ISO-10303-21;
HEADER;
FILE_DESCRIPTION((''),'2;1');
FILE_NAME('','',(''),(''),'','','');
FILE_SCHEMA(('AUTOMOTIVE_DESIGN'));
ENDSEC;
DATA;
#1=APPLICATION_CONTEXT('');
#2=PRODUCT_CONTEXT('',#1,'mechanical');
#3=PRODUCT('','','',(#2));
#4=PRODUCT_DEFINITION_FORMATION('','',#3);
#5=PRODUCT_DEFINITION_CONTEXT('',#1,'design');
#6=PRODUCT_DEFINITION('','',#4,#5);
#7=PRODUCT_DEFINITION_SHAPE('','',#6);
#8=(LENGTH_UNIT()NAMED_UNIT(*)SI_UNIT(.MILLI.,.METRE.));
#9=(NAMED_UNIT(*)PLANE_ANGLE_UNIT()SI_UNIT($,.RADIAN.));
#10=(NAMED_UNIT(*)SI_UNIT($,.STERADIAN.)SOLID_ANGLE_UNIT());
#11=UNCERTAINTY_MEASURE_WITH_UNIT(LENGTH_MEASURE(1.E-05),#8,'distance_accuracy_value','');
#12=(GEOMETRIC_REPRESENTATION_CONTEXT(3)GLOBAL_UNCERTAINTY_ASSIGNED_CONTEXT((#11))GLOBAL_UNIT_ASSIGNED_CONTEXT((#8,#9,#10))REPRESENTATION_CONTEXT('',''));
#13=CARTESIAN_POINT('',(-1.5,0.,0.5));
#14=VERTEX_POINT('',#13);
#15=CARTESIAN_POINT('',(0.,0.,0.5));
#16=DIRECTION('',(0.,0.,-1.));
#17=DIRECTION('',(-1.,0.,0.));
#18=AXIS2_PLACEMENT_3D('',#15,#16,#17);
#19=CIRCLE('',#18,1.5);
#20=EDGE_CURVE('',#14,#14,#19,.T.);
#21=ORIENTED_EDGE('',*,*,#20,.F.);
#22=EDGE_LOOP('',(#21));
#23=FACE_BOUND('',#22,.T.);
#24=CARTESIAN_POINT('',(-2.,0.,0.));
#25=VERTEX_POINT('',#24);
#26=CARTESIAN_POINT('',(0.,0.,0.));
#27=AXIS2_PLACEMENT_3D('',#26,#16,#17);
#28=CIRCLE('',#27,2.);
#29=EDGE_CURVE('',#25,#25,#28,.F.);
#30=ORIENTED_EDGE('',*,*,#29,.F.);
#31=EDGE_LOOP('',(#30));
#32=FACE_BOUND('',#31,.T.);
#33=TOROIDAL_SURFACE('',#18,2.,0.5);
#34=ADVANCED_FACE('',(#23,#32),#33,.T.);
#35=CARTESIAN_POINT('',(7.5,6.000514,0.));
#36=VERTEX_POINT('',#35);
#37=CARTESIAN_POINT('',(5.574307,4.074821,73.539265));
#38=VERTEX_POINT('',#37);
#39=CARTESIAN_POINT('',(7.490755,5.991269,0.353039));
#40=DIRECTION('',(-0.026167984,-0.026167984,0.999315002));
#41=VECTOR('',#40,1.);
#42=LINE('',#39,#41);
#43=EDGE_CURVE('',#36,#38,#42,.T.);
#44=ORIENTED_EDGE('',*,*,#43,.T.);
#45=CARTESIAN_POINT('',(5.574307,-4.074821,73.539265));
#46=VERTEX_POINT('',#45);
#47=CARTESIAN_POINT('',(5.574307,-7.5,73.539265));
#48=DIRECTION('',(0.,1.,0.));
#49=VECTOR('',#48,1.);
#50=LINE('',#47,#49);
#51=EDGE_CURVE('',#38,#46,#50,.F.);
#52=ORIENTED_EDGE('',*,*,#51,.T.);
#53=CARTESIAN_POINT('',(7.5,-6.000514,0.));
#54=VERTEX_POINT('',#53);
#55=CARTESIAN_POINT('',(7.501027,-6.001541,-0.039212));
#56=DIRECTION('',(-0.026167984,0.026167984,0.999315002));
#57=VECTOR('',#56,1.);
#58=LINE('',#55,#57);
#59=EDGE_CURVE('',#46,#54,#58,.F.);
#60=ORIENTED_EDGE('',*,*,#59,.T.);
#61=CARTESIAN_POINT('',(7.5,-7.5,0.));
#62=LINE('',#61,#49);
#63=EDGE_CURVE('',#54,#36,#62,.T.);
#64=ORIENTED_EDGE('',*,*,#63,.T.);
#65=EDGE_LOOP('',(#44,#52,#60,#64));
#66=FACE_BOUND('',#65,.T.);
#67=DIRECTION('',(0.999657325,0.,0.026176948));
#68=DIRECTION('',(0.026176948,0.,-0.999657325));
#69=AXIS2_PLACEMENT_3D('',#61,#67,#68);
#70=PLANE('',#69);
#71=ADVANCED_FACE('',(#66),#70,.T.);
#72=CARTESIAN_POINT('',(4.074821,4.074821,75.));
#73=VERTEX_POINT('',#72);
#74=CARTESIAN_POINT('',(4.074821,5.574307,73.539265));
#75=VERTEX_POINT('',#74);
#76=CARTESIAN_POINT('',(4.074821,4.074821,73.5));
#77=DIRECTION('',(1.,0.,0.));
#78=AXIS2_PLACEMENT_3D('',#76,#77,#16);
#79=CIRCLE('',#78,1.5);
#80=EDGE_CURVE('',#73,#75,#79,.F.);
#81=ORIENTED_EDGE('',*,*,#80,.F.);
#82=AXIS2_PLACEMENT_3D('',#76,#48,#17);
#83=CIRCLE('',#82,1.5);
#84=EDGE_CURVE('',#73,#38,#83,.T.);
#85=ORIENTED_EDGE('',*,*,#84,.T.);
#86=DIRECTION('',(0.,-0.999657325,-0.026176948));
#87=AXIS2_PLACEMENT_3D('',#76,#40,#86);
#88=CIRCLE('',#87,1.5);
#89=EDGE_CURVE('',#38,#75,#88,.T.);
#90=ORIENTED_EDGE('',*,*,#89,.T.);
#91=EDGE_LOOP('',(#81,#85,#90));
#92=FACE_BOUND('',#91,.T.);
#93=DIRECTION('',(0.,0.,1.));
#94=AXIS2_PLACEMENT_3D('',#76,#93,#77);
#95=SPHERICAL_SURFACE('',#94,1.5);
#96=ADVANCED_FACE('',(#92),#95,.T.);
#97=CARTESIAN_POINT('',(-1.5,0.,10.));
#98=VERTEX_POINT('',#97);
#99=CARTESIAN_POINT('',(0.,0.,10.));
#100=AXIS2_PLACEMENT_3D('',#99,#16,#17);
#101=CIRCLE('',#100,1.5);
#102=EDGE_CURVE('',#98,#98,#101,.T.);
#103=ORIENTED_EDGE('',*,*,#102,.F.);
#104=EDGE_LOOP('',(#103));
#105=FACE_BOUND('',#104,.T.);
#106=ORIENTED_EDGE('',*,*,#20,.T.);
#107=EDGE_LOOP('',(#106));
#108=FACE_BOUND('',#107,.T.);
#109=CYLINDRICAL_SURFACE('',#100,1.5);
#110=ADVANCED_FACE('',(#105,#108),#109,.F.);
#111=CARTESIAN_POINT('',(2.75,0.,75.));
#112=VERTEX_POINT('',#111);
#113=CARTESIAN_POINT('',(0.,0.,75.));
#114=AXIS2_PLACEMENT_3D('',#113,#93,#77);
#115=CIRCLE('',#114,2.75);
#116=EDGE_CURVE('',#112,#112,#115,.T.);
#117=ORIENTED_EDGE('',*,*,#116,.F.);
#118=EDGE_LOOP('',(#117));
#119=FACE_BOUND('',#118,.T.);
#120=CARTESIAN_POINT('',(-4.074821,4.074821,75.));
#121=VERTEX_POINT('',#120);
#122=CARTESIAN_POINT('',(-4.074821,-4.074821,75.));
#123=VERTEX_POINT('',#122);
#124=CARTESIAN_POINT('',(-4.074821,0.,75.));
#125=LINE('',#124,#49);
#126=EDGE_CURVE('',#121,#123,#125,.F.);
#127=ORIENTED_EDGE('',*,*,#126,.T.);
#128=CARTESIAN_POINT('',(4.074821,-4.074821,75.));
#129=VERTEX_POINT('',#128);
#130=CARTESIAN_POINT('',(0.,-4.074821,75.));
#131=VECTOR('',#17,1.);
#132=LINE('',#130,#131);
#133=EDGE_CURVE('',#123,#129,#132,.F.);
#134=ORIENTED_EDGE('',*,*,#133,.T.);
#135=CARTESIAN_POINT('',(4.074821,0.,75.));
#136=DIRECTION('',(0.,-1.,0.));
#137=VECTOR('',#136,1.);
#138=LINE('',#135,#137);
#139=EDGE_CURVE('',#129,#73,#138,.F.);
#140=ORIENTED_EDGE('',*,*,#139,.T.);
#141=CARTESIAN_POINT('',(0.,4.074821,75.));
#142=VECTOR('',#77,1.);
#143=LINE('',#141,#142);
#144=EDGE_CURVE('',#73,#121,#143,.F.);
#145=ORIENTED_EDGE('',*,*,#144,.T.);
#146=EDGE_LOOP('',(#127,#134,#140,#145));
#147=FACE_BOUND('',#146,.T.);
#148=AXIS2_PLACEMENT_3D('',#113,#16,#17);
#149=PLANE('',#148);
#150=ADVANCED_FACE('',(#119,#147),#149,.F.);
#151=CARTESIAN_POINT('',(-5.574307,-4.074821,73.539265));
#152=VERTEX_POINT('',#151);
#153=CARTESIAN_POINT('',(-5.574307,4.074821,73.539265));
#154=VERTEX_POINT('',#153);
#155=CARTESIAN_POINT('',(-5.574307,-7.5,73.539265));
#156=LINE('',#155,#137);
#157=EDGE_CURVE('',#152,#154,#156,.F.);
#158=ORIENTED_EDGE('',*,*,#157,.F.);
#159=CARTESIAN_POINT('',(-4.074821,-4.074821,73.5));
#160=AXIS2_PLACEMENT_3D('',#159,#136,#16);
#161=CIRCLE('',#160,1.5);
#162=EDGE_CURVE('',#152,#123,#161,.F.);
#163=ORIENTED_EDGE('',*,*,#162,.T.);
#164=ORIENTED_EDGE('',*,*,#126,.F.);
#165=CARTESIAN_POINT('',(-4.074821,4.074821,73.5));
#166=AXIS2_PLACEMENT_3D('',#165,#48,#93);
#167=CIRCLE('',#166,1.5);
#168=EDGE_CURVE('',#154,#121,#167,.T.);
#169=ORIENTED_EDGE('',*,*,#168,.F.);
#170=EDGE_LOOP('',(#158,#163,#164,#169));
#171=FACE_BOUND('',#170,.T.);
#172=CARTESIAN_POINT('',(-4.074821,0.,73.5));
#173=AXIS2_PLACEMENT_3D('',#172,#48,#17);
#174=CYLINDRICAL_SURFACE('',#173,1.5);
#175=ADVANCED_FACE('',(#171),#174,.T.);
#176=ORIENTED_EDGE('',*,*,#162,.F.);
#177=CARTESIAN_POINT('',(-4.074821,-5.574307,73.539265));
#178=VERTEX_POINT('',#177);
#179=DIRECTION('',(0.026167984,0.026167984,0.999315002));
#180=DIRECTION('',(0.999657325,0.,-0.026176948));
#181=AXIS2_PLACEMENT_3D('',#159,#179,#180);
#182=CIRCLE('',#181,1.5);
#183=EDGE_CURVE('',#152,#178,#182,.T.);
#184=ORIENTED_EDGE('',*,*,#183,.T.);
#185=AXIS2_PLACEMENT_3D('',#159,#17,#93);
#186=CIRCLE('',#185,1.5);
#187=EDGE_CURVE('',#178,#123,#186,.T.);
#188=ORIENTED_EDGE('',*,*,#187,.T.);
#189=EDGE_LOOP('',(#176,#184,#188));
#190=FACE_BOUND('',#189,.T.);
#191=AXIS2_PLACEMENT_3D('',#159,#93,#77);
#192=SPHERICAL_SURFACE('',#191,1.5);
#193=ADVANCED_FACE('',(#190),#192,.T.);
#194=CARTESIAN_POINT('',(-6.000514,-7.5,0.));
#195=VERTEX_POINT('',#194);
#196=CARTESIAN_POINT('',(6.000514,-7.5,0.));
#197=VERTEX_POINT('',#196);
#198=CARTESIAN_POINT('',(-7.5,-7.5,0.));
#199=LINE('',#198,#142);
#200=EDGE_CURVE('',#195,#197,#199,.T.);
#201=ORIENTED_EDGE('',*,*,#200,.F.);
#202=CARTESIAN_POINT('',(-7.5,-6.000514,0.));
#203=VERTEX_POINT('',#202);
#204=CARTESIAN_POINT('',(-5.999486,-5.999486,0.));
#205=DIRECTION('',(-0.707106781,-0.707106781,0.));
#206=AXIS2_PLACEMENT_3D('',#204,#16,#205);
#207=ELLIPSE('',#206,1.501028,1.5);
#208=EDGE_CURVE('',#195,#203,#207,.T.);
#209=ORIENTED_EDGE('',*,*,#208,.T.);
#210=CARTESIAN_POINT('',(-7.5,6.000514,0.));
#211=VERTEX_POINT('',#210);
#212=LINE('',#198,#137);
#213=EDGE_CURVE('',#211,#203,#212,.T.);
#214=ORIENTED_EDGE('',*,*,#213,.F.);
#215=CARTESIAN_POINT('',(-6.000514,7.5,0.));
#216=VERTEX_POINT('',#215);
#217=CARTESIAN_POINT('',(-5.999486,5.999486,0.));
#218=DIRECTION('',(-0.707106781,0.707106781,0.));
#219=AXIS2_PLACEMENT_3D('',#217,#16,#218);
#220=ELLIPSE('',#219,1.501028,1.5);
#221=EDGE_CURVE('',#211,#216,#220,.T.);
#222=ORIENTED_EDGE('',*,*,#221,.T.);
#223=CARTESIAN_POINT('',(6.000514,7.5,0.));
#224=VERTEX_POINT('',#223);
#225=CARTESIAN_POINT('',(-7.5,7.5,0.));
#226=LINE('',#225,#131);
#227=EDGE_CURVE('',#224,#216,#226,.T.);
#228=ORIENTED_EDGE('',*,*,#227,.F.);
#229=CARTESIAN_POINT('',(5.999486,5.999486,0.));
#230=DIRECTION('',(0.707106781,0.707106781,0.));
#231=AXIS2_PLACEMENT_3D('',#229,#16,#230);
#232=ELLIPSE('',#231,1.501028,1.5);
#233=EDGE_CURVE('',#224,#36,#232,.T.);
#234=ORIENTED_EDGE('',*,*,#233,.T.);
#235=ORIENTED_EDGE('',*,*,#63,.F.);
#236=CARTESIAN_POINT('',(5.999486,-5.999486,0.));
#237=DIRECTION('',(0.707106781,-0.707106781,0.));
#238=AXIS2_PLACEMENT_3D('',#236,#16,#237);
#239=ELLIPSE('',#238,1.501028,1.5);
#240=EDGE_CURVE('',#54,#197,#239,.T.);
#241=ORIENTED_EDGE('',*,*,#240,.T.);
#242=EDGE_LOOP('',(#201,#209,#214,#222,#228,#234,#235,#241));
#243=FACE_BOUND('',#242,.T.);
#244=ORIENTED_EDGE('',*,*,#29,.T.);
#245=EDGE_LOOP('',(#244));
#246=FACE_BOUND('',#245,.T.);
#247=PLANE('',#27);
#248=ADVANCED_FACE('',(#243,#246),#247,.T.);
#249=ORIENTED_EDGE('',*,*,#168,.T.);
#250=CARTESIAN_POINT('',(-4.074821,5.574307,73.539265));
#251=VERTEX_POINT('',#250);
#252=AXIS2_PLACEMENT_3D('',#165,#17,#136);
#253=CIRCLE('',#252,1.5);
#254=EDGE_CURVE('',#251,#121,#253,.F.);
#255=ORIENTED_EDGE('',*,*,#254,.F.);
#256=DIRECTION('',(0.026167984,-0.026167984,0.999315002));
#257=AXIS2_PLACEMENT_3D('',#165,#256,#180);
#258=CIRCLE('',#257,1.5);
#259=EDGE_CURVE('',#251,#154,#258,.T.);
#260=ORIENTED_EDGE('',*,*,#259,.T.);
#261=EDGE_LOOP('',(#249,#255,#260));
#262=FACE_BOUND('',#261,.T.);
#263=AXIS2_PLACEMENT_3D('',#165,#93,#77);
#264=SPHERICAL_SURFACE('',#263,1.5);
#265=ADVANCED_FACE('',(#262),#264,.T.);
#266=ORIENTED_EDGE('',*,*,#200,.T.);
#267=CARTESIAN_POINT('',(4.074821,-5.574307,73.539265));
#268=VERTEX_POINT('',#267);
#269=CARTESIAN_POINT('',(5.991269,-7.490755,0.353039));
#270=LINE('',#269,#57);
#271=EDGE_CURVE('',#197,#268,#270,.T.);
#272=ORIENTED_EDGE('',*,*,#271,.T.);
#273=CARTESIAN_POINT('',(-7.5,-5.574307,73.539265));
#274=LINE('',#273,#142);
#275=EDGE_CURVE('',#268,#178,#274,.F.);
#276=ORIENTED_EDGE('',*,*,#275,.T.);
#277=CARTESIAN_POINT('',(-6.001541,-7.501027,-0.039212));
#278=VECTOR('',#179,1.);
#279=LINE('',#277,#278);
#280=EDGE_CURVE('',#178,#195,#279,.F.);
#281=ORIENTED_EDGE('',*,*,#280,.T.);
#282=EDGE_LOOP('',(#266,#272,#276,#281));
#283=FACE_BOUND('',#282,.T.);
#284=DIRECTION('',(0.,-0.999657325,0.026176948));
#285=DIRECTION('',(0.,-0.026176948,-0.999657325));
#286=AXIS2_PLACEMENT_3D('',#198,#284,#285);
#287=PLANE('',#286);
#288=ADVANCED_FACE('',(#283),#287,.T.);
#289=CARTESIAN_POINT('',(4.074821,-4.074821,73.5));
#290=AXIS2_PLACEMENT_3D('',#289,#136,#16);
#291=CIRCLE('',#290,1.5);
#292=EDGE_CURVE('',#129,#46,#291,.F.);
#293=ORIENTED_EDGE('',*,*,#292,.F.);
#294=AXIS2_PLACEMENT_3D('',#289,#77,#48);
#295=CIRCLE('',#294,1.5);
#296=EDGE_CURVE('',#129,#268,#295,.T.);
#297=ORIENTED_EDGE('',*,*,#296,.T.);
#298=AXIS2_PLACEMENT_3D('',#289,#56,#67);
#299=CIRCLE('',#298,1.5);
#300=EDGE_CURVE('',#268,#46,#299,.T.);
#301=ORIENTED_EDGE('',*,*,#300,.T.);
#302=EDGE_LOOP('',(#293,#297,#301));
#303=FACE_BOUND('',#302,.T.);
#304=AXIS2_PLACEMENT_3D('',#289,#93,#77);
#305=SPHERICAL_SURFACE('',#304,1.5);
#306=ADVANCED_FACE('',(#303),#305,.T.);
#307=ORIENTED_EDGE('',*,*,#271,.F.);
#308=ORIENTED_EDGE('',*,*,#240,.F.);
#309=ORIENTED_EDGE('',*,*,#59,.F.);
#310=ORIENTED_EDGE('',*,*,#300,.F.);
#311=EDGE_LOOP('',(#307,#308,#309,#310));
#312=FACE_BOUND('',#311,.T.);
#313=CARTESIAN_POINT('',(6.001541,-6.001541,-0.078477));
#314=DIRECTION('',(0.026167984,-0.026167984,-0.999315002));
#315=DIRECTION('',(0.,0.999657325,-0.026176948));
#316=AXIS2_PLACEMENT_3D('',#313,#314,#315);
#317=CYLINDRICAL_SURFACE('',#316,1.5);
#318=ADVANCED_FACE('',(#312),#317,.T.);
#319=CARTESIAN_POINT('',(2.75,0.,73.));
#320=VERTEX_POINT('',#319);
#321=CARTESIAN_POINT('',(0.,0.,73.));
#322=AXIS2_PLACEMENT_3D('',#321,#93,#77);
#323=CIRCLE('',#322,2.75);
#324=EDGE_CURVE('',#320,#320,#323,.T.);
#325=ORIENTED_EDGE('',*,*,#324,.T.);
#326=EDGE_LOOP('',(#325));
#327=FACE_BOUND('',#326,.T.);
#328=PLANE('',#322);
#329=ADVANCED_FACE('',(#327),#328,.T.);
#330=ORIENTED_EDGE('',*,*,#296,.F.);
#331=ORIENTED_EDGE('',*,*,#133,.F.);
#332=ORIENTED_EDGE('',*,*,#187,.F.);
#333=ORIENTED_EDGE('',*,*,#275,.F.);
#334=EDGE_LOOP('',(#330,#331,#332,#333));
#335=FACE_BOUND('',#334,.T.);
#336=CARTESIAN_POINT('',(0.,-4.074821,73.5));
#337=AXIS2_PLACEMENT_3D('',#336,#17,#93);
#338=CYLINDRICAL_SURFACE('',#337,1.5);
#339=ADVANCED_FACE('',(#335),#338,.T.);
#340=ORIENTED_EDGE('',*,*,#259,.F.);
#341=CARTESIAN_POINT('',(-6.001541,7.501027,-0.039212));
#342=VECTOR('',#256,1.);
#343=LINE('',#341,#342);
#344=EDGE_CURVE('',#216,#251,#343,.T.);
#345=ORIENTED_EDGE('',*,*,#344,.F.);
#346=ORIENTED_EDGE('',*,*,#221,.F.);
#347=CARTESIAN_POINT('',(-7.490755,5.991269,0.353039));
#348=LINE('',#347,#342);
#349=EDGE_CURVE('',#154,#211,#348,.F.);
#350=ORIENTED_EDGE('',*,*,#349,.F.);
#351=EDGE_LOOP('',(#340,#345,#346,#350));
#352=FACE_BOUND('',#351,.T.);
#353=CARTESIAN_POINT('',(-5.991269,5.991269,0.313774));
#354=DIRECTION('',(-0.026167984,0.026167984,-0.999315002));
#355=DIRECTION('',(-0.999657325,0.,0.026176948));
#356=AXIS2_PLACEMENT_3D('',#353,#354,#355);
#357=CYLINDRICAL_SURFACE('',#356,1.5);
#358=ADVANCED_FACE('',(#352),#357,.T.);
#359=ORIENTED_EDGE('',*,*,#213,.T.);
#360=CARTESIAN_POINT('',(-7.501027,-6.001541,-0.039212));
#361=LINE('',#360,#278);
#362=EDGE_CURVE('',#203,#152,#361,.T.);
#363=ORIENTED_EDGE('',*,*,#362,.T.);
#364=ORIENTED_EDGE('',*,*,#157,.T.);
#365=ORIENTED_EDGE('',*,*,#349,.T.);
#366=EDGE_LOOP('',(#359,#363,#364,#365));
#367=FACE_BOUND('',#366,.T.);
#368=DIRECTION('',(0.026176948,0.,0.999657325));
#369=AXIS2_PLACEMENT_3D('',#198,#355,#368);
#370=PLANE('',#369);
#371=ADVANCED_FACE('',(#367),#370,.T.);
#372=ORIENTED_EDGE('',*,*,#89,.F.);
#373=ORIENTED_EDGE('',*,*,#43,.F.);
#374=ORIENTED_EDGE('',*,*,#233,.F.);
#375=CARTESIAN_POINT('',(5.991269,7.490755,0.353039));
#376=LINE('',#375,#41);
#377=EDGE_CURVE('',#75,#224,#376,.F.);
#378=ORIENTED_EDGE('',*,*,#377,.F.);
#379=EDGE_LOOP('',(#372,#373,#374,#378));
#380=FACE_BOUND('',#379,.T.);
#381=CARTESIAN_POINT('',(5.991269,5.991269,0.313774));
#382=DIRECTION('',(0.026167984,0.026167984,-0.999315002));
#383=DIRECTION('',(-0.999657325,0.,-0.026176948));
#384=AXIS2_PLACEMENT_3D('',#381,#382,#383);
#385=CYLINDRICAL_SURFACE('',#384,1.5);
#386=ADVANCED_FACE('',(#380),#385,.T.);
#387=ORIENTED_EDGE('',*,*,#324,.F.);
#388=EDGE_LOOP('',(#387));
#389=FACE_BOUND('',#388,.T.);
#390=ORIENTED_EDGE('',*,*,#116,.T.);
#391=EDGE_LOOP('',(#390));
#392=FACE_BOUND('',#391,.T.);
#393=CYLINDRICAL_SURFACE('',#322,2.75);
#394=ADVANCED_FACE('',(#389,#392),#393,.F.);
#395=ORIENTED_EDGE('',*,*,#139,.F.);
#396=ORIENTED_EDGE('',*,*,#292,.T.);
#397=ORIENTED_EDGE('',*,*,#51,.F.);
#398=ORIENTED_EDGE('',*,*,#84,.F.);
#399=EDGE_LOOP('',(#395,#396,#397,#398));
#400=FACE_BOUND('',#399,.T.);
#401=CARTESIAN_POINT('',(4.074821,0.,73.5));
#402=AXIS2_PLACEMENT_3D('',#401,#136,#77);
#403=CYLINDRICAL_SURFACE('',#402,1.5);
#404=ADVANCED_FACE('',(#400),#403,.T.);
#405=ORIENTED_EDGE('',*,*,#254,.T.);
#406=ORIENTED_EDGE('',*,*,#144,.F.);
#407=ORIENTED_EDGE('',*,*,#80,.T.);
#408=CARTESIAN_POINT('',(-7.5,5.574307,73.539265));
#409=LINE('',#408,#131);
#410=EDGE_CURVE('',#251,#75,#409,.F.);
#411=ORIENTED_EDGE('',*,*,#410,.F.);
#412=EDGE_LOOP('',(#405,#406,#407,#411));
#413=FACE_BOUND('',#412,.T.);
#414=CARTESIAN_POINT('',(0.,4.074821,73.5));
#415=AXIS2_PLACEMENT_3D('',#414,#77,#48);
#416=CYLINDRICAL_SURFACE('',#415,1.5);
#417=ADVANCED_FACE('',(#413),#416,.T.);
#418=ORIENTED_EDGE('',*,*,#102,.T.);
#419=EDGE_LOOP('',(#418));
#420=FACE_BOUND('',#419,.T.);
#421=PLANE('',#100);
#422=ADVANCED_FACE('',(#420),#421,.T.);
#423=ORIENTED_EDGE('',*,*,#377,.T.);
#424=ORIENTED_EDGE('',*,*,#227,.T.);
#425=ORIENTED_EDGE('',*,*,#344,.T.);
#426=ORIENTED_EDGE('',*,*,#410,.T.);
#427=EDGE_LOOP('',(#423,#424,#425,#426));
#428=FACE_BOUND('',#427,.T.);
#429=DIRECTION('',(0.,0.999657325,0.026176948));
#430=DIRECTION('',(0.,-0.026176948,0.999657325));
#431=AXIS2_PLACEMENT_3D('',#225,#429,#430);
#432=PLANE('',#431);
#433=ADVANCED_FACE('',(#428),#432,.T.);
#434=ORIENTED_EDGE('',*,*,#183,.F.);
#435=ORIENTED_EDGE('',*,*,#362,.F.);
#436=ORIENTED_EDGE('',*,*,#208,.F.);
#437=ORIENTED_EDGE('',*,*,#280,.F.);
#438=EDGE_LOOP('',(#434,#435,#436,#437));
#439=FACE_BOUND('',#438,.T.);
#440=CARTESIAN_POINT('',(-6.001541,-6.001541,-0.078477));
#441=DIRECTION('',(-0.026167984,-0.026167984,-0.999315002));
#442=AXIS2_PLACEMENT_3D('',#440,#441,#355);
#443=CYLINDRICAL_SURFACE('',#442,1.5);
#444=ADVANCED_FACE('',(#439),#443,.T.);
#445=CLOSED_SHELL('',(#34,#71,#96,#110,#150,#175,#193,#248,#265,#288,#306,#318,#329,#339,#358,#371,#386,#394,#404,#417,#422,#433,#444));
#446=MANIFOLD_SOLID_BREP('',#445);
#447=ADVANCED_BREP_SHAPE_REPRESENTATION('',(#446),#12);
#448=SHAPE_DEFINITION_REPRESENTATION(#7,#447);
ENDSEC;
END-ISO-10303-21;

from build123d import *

# Parameters (mm, degrees)
SKETCH1_W           = 15
SKETCH1_H           = 15
BOSS_EXTRUDE1_DEPTH = 75
BOSS_EXTRUDE1_TAPER = 1.5
SKETCH2_R           = 1.5
CUT_EXTRUDE1_DEPTH  = 10
SKETCH3_R           = 2.75
CUT_EXTRUDE2_DEPTH  = 2
FILLET1_R           = 1.5
FILLET2_R           = 0.5


with BuildPart() as part:
    # Sketch1 → Boss-Extrude1 (new body)
    with BuildSketch(Plane.XY):
        Rectangle(SKETCH1_W, SKETCH1_H)
    extrude(amount=BOSS_EXTRUDE1_DEPTH, taper=BOSS_EXTRUDE1_TAPER)

    # Sketch2 → Cut-Extrude1 (cut)
    with BuildSketch(Plane(origin=(0, 0, 0), x_dir=(-1, 0, 0), z_dir=(0, 0, -1))):
        Circle(SKETCH2_R)
    extrude(amount=-CUT_EXTRUDE1_DEPTH, mode=Mode.SUBTRACT)

    # Sketch3 → Cut-Extrude2 (cut)
    with BuildSketch(Plane.XY.offset(75)):
        Circle(SKETCH3_R)
    extrude(amount=-CUT_EXTRUDE2_DEPTH, mode=Mode.SUBTRACT)

    # Fillet1
    fillet1_edges = [part.edges().sort_by_distance(p)[0] for p in [
        (-5.536055882, 0, 75),
        (0, -5.536055882, 75),
        (5.536055882, 0, 75),
        (6.518027941, -6.518027941, 37.5),
        (-6.518027941, -6.518027941, 37.5),
        (-6.518027479, 6.518027479, 37.500017641),
        (6.518027941, 6.518027941, 37.5),
        (0, 5.536055882, 75),
    ]]
    fillet(fillet1_edges, radius=FILLET1_R)

    # Fillet2
    fillet2_edges = [part.edges().sort_by_distance(p)[0] for p in [
        (1.5, 0, 0),
    ]]
    fillet(fillet2_edges, radius=FILLET2_R)


solid = part.part
